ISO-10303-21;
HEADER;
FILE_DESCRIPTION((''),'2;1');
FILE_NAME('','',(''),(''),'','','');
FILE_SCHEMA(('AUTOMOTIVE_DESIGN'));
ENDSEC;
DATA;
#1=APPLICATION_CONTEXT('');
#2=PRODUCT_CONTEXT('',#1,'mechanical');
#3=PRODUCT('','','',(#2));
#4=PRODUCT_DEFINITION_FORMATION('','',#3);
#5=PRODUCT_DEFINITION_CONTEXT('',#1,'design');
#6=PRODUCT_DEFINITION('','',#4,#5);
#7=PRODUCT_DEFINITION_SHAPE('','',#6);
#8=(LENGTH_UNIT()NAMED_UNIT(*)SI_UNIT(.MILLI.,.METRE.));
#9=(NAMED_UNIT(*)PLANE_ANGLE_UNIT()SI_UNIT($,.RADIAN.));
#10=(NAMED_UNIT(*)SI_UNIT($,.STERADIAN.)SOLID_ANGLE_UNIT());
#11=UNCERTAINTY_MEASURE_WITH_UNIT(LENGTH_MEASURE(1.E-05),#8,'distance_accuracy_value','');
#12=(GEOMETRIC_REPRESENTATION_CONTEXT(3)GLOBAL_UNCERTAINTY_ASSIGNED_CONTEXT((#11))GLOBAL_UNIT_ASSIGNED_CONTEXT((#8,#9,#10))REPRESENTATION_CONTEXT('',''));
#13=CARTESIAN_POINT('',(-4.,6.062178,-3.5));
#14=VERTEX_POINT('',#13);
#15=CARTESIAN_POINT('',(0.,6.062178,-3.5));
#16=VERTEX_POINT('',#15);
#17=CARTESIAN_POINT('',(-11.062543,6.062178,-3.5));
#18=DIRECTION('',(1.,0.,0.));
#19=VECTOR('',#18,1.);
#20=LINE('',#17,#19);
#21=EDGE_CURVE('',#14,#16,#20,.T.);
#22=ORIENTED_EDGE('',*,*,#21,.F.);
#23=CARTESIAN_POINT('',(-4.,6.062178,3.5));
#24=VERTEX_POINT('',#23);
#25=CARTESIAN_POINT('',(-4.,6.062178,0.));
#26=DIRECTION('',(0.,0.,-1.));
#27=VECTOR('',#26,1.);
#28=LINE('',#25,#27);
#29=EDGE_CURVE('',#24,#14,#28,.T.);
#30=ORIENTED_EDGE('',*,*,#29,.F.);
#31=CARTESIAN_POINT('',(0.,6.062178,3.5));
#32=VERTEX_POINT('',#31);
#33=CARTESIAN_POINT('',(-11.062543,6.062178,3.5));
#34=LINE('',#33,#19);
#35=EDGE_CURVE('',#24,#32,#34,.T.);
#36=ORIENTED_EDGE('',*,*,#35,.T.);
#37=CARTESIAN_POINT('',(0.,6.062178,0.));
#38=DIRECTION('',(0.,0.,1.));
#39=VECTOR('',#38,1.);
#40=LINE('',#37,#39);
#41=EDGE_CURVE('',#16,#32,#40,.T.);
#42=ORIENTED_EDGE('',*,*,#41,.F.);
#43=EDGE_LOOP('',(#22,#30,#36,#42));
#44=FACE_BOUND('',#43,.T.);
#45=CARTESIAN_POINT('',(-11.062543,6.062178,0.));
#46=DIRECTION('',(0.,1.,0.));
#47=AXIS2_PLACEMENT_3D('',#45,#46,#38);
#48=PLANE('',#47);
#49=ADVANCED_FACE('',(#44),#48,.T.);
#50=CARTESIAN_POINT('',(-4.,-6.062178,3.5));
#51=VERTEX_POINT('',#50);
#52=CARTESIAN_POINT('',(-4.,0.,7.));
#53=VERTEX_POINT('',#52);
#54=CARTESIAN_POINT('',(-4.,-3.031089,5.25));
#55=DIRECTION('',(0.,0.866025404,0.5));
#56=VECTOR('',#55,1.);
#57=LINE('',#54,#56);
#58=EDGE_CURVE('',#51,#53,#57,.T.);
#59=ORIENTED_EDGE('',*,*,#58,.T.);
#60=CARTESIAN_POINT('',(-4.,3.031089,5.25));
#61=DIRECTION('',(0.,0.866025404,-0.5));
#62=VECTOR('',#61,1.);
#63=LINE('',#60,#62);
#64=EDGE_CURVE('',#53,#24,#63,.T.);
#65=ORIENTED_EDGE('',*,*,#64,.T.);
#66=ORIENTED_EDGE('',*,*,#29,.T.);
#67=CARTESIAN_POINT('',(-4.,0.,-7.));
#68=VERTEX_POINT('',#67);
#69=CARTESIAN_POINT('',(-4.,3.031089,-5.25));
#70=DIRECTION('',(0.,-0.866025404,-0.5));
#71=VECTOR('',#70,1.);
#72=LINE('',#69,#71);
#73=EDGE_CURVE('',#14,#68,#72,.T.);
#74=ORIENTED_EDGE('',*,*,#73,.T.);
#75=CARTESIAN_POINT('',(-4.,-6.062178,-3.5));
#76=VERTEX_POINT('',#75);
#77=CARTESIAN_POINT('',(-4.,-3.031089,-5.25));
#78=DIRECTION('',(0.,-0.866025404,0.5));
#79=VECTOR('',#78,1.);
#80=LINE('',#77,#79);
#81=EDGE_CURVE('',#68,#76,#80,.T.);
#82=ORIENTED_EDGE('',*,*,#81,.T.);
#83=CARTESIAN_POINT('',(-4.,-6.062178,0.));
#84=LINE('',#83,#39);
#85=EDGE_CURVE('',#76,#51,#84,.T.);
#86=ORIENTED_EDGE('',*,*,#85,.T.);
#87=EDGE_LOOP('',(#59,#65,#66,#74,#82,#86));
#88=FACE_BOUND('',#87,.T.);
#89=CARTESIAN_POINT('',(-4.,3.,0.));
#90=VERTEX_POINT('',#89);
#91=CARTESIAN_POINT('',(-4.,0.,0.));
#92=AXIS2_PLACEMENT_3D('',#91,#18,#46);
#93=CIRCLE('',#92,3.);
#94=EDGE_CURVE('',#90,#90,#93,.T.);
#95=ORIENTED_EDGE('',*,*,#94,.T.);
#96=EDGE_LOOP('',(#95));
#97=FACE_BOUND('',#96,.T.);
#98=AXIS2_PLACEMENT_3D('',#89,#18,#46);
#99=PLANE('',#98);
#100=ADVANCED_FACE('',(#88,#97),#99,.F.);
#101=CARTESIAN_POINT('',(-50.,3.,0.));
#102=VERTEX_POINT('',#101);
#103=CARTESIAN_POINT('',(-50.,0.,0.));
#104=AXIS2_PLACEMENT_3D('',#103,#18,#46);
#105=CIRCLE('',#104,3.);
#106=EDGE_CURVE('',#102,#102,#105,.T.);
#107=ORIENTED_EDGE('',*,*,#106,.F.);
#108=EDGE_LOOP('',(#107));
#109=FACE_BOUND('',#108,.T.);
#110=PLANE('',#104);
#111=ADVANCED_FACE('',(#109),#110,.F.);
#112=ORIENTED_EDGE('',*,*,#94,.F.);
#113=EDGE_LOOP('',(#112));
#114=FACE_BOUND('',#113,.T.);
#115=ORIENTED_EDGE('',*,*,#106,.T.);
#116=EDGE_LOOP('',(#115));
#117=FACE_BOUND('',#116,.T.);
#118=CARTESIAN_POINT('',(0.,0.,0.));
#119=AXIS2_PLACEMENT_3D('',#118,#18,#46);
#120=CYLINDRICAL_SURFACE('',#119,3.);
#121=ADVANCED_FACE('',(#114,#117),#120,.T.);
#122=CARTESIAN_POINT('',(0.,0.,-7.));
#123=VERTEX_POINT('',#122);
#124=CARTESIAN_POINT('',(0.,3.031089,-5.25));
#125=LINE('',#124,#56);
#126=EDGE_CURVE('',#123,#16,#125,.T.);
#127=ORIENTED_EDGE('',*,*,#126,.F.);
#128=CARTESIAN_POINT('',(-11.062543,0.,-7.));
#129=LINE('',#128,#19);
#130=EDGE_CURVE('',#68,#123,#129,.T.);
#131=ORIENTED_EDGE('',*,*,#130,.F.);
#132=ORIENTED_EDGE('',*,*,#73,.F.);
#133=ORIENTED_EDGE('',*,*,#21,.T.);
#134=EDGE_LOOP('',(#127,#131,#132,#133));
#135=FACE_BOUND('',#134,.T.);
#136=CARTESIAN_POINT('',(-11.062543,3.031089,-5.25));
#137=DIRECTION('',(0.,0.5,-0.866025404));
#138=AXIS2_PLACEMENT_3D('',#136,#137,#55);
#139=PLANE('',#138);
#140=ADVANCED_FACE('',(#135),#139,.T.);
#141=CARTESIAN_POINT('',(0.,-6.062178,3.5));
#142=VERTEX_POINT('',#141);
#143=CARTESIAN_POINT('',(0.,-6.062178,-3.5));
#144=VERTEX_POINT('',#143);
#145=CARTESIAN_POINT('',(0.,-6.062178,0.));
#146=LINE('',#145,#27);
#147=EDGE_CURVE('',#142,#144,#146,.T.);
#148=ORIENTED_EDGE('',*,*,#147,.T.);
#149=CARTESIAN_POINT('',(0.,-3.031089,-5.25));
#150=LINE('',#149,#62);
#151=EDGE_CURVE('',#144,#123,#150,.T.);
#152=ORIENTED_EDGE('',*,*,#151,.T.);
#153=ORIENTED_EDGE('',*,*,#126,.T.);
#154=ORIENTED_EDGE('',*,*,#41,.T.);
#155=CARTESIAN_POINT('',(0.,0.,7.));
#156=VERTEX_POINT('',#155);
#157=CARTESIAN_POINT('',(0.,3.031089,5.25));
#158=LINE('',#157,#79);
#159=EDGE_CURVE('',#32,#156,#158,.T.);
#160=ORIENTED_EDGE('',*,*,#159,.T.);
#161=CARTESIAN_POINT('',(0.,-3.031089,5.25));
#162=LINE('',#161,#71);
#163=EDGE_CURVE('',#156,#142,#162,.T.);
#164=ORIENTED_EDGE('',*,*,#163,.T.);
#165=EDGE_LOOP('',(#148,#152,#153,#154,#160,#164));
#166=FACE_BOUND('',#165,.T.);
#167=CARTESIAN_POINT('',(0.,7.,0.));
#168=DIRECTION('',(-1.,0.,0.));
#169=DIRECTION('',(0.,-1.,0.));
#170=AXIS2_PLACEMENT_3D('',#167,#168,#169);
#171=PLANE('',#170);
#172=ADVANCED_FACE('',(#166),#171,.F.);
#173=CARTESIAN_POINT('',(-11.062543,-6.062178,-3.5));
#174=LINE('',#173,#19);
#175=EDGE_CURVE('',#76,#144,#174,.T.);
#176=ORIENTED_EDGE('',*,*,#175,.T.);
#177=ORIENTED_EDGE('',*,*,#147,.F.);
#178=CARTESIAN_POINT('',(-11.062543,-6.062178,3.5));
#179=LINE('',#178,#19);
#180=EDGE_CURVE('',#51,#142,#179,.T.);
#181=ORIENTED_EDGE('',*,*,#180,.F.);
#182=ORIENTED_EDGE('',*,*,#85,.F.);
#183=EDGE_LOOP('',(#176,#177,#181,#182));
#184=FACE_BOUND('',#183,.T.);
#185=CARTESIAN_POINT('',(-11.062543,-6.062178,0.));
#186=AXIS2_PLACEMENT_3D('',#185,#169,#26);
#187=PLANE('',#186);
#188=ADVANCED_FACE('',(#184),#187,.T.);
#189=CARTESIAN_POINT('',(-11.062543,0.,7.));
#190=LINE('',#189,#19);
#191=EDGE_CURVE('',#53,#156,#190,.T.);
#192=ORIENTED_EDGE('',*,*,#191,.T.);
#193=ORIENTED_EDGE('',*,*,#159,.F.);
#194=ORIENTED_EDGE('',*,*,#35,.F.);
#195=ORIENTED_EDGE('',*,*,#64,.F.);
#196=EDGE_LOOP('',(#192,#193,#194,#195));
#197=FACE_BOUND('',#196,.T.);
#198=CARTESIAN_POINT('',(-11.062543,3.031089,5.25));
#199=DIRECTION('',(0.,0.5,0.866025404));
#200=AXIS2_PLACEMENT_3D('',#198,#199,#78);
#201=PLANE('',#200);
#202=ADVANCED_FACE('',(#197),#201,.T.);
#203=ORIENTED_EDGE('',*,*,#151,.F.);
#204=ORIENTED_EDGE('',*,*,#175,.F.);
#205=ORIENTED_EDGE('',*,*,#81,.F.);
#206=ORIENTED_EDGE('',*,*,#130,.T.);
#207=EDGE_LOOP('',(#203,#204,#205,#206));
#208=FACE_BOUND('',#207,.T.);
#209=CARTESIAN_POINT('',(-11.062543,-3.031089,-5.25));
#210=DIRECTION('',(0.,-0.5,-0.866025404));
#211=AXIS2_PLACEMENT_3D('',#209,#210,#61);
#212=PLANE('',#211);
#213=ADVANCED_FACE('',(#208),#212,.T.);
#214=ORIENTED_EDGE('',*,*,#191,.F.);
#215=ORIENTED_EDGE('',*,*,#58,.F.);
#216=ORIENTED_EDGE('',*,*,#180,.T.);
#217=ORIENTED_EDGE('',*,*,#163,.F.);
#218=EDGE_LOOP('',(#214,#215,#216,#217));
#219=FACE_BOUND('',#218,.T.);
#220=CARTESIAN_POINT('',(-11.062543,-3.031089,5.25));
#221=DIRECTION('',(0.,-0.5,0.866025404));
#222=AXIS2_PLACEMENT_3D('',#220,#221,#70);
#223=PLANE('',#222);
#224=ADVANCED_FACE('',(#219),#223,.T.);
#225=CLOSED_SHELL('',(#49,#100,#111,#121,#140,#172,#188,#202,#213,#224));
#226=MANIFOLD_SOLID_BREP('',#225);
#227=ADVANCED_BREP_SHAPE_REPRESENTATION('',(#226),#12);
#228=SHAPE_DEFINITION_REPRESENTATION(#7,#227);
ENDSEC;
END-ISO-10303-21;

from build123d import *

# Parameters (mm, degrees)
WYTNIJ_WYCI_GNI_CIE2_DEPTH = 4


with BuildPart() as part:
    # Szkic1 → Obrót1 (revolve)
    with BuildSketch(Plane.XY):
        Polygon((0, 0), (-50, 0), (-50, 3), (-4, 3), (-4, 7), (0, 7), align=None)
    revolve(axis=Axis((0, 0, 0), (-1, 0, 0)))

    # Szkic3 → Wytnij-wyciągnięcie2 (cut)
    with BuildSketch(Plane(origin=(0, 0, 0), x_dir=(0, 0, -1), z_dir=(1, 0, 0))):
        with BuildLine():
            Line((-7, 0), (-3.5, 6.062177826))
            ThreePointArc((-3.5, 6.062177826), (-6.062177826, 3.5), (-7, 0))
        make_face()
        with BuildLine():
            Line((-3.5, 6.062177826), (3.5, 6.062177826))
            ThreePointArc((3.5, 6.062177826), (0, 7), (-3.5, 6.062177826))
        make_face()
        with BuildLine():
            Line((3.5, 6.062177826), (7, 0))
            ThreePointArc((7, 0), (6.062177826, 3.5), (3.5, 6.062177826))
        make_face()
        with BuildLine():
            ThreePointArc((3.5, -6.062177826), (6.062177826, -3.5), (7, 0))
            Line((7, 0), (3.5, -6.062177826))
        make_face()
        with BuildLine():
            ThreePointArc((-3.5, -6.062177826), (0, -7), (3.5, -6.062177826))
            Line((3.5, -6.062177826), (-3.5, -6.062177826))
        make_face()
        with BuildLine():
            ThreePointArc((-7, 0), (-6.062177826, -3.5), (-3.5, -6.062177826))
            Line((-3.5, -6.062177826), (-7, 0))
        make_face()
    extrude(amount=-WYTNIJ_WYCI_GNI_CIE2_DEPTH, mode=Mode.SUBTRACT)


solid = part.part
